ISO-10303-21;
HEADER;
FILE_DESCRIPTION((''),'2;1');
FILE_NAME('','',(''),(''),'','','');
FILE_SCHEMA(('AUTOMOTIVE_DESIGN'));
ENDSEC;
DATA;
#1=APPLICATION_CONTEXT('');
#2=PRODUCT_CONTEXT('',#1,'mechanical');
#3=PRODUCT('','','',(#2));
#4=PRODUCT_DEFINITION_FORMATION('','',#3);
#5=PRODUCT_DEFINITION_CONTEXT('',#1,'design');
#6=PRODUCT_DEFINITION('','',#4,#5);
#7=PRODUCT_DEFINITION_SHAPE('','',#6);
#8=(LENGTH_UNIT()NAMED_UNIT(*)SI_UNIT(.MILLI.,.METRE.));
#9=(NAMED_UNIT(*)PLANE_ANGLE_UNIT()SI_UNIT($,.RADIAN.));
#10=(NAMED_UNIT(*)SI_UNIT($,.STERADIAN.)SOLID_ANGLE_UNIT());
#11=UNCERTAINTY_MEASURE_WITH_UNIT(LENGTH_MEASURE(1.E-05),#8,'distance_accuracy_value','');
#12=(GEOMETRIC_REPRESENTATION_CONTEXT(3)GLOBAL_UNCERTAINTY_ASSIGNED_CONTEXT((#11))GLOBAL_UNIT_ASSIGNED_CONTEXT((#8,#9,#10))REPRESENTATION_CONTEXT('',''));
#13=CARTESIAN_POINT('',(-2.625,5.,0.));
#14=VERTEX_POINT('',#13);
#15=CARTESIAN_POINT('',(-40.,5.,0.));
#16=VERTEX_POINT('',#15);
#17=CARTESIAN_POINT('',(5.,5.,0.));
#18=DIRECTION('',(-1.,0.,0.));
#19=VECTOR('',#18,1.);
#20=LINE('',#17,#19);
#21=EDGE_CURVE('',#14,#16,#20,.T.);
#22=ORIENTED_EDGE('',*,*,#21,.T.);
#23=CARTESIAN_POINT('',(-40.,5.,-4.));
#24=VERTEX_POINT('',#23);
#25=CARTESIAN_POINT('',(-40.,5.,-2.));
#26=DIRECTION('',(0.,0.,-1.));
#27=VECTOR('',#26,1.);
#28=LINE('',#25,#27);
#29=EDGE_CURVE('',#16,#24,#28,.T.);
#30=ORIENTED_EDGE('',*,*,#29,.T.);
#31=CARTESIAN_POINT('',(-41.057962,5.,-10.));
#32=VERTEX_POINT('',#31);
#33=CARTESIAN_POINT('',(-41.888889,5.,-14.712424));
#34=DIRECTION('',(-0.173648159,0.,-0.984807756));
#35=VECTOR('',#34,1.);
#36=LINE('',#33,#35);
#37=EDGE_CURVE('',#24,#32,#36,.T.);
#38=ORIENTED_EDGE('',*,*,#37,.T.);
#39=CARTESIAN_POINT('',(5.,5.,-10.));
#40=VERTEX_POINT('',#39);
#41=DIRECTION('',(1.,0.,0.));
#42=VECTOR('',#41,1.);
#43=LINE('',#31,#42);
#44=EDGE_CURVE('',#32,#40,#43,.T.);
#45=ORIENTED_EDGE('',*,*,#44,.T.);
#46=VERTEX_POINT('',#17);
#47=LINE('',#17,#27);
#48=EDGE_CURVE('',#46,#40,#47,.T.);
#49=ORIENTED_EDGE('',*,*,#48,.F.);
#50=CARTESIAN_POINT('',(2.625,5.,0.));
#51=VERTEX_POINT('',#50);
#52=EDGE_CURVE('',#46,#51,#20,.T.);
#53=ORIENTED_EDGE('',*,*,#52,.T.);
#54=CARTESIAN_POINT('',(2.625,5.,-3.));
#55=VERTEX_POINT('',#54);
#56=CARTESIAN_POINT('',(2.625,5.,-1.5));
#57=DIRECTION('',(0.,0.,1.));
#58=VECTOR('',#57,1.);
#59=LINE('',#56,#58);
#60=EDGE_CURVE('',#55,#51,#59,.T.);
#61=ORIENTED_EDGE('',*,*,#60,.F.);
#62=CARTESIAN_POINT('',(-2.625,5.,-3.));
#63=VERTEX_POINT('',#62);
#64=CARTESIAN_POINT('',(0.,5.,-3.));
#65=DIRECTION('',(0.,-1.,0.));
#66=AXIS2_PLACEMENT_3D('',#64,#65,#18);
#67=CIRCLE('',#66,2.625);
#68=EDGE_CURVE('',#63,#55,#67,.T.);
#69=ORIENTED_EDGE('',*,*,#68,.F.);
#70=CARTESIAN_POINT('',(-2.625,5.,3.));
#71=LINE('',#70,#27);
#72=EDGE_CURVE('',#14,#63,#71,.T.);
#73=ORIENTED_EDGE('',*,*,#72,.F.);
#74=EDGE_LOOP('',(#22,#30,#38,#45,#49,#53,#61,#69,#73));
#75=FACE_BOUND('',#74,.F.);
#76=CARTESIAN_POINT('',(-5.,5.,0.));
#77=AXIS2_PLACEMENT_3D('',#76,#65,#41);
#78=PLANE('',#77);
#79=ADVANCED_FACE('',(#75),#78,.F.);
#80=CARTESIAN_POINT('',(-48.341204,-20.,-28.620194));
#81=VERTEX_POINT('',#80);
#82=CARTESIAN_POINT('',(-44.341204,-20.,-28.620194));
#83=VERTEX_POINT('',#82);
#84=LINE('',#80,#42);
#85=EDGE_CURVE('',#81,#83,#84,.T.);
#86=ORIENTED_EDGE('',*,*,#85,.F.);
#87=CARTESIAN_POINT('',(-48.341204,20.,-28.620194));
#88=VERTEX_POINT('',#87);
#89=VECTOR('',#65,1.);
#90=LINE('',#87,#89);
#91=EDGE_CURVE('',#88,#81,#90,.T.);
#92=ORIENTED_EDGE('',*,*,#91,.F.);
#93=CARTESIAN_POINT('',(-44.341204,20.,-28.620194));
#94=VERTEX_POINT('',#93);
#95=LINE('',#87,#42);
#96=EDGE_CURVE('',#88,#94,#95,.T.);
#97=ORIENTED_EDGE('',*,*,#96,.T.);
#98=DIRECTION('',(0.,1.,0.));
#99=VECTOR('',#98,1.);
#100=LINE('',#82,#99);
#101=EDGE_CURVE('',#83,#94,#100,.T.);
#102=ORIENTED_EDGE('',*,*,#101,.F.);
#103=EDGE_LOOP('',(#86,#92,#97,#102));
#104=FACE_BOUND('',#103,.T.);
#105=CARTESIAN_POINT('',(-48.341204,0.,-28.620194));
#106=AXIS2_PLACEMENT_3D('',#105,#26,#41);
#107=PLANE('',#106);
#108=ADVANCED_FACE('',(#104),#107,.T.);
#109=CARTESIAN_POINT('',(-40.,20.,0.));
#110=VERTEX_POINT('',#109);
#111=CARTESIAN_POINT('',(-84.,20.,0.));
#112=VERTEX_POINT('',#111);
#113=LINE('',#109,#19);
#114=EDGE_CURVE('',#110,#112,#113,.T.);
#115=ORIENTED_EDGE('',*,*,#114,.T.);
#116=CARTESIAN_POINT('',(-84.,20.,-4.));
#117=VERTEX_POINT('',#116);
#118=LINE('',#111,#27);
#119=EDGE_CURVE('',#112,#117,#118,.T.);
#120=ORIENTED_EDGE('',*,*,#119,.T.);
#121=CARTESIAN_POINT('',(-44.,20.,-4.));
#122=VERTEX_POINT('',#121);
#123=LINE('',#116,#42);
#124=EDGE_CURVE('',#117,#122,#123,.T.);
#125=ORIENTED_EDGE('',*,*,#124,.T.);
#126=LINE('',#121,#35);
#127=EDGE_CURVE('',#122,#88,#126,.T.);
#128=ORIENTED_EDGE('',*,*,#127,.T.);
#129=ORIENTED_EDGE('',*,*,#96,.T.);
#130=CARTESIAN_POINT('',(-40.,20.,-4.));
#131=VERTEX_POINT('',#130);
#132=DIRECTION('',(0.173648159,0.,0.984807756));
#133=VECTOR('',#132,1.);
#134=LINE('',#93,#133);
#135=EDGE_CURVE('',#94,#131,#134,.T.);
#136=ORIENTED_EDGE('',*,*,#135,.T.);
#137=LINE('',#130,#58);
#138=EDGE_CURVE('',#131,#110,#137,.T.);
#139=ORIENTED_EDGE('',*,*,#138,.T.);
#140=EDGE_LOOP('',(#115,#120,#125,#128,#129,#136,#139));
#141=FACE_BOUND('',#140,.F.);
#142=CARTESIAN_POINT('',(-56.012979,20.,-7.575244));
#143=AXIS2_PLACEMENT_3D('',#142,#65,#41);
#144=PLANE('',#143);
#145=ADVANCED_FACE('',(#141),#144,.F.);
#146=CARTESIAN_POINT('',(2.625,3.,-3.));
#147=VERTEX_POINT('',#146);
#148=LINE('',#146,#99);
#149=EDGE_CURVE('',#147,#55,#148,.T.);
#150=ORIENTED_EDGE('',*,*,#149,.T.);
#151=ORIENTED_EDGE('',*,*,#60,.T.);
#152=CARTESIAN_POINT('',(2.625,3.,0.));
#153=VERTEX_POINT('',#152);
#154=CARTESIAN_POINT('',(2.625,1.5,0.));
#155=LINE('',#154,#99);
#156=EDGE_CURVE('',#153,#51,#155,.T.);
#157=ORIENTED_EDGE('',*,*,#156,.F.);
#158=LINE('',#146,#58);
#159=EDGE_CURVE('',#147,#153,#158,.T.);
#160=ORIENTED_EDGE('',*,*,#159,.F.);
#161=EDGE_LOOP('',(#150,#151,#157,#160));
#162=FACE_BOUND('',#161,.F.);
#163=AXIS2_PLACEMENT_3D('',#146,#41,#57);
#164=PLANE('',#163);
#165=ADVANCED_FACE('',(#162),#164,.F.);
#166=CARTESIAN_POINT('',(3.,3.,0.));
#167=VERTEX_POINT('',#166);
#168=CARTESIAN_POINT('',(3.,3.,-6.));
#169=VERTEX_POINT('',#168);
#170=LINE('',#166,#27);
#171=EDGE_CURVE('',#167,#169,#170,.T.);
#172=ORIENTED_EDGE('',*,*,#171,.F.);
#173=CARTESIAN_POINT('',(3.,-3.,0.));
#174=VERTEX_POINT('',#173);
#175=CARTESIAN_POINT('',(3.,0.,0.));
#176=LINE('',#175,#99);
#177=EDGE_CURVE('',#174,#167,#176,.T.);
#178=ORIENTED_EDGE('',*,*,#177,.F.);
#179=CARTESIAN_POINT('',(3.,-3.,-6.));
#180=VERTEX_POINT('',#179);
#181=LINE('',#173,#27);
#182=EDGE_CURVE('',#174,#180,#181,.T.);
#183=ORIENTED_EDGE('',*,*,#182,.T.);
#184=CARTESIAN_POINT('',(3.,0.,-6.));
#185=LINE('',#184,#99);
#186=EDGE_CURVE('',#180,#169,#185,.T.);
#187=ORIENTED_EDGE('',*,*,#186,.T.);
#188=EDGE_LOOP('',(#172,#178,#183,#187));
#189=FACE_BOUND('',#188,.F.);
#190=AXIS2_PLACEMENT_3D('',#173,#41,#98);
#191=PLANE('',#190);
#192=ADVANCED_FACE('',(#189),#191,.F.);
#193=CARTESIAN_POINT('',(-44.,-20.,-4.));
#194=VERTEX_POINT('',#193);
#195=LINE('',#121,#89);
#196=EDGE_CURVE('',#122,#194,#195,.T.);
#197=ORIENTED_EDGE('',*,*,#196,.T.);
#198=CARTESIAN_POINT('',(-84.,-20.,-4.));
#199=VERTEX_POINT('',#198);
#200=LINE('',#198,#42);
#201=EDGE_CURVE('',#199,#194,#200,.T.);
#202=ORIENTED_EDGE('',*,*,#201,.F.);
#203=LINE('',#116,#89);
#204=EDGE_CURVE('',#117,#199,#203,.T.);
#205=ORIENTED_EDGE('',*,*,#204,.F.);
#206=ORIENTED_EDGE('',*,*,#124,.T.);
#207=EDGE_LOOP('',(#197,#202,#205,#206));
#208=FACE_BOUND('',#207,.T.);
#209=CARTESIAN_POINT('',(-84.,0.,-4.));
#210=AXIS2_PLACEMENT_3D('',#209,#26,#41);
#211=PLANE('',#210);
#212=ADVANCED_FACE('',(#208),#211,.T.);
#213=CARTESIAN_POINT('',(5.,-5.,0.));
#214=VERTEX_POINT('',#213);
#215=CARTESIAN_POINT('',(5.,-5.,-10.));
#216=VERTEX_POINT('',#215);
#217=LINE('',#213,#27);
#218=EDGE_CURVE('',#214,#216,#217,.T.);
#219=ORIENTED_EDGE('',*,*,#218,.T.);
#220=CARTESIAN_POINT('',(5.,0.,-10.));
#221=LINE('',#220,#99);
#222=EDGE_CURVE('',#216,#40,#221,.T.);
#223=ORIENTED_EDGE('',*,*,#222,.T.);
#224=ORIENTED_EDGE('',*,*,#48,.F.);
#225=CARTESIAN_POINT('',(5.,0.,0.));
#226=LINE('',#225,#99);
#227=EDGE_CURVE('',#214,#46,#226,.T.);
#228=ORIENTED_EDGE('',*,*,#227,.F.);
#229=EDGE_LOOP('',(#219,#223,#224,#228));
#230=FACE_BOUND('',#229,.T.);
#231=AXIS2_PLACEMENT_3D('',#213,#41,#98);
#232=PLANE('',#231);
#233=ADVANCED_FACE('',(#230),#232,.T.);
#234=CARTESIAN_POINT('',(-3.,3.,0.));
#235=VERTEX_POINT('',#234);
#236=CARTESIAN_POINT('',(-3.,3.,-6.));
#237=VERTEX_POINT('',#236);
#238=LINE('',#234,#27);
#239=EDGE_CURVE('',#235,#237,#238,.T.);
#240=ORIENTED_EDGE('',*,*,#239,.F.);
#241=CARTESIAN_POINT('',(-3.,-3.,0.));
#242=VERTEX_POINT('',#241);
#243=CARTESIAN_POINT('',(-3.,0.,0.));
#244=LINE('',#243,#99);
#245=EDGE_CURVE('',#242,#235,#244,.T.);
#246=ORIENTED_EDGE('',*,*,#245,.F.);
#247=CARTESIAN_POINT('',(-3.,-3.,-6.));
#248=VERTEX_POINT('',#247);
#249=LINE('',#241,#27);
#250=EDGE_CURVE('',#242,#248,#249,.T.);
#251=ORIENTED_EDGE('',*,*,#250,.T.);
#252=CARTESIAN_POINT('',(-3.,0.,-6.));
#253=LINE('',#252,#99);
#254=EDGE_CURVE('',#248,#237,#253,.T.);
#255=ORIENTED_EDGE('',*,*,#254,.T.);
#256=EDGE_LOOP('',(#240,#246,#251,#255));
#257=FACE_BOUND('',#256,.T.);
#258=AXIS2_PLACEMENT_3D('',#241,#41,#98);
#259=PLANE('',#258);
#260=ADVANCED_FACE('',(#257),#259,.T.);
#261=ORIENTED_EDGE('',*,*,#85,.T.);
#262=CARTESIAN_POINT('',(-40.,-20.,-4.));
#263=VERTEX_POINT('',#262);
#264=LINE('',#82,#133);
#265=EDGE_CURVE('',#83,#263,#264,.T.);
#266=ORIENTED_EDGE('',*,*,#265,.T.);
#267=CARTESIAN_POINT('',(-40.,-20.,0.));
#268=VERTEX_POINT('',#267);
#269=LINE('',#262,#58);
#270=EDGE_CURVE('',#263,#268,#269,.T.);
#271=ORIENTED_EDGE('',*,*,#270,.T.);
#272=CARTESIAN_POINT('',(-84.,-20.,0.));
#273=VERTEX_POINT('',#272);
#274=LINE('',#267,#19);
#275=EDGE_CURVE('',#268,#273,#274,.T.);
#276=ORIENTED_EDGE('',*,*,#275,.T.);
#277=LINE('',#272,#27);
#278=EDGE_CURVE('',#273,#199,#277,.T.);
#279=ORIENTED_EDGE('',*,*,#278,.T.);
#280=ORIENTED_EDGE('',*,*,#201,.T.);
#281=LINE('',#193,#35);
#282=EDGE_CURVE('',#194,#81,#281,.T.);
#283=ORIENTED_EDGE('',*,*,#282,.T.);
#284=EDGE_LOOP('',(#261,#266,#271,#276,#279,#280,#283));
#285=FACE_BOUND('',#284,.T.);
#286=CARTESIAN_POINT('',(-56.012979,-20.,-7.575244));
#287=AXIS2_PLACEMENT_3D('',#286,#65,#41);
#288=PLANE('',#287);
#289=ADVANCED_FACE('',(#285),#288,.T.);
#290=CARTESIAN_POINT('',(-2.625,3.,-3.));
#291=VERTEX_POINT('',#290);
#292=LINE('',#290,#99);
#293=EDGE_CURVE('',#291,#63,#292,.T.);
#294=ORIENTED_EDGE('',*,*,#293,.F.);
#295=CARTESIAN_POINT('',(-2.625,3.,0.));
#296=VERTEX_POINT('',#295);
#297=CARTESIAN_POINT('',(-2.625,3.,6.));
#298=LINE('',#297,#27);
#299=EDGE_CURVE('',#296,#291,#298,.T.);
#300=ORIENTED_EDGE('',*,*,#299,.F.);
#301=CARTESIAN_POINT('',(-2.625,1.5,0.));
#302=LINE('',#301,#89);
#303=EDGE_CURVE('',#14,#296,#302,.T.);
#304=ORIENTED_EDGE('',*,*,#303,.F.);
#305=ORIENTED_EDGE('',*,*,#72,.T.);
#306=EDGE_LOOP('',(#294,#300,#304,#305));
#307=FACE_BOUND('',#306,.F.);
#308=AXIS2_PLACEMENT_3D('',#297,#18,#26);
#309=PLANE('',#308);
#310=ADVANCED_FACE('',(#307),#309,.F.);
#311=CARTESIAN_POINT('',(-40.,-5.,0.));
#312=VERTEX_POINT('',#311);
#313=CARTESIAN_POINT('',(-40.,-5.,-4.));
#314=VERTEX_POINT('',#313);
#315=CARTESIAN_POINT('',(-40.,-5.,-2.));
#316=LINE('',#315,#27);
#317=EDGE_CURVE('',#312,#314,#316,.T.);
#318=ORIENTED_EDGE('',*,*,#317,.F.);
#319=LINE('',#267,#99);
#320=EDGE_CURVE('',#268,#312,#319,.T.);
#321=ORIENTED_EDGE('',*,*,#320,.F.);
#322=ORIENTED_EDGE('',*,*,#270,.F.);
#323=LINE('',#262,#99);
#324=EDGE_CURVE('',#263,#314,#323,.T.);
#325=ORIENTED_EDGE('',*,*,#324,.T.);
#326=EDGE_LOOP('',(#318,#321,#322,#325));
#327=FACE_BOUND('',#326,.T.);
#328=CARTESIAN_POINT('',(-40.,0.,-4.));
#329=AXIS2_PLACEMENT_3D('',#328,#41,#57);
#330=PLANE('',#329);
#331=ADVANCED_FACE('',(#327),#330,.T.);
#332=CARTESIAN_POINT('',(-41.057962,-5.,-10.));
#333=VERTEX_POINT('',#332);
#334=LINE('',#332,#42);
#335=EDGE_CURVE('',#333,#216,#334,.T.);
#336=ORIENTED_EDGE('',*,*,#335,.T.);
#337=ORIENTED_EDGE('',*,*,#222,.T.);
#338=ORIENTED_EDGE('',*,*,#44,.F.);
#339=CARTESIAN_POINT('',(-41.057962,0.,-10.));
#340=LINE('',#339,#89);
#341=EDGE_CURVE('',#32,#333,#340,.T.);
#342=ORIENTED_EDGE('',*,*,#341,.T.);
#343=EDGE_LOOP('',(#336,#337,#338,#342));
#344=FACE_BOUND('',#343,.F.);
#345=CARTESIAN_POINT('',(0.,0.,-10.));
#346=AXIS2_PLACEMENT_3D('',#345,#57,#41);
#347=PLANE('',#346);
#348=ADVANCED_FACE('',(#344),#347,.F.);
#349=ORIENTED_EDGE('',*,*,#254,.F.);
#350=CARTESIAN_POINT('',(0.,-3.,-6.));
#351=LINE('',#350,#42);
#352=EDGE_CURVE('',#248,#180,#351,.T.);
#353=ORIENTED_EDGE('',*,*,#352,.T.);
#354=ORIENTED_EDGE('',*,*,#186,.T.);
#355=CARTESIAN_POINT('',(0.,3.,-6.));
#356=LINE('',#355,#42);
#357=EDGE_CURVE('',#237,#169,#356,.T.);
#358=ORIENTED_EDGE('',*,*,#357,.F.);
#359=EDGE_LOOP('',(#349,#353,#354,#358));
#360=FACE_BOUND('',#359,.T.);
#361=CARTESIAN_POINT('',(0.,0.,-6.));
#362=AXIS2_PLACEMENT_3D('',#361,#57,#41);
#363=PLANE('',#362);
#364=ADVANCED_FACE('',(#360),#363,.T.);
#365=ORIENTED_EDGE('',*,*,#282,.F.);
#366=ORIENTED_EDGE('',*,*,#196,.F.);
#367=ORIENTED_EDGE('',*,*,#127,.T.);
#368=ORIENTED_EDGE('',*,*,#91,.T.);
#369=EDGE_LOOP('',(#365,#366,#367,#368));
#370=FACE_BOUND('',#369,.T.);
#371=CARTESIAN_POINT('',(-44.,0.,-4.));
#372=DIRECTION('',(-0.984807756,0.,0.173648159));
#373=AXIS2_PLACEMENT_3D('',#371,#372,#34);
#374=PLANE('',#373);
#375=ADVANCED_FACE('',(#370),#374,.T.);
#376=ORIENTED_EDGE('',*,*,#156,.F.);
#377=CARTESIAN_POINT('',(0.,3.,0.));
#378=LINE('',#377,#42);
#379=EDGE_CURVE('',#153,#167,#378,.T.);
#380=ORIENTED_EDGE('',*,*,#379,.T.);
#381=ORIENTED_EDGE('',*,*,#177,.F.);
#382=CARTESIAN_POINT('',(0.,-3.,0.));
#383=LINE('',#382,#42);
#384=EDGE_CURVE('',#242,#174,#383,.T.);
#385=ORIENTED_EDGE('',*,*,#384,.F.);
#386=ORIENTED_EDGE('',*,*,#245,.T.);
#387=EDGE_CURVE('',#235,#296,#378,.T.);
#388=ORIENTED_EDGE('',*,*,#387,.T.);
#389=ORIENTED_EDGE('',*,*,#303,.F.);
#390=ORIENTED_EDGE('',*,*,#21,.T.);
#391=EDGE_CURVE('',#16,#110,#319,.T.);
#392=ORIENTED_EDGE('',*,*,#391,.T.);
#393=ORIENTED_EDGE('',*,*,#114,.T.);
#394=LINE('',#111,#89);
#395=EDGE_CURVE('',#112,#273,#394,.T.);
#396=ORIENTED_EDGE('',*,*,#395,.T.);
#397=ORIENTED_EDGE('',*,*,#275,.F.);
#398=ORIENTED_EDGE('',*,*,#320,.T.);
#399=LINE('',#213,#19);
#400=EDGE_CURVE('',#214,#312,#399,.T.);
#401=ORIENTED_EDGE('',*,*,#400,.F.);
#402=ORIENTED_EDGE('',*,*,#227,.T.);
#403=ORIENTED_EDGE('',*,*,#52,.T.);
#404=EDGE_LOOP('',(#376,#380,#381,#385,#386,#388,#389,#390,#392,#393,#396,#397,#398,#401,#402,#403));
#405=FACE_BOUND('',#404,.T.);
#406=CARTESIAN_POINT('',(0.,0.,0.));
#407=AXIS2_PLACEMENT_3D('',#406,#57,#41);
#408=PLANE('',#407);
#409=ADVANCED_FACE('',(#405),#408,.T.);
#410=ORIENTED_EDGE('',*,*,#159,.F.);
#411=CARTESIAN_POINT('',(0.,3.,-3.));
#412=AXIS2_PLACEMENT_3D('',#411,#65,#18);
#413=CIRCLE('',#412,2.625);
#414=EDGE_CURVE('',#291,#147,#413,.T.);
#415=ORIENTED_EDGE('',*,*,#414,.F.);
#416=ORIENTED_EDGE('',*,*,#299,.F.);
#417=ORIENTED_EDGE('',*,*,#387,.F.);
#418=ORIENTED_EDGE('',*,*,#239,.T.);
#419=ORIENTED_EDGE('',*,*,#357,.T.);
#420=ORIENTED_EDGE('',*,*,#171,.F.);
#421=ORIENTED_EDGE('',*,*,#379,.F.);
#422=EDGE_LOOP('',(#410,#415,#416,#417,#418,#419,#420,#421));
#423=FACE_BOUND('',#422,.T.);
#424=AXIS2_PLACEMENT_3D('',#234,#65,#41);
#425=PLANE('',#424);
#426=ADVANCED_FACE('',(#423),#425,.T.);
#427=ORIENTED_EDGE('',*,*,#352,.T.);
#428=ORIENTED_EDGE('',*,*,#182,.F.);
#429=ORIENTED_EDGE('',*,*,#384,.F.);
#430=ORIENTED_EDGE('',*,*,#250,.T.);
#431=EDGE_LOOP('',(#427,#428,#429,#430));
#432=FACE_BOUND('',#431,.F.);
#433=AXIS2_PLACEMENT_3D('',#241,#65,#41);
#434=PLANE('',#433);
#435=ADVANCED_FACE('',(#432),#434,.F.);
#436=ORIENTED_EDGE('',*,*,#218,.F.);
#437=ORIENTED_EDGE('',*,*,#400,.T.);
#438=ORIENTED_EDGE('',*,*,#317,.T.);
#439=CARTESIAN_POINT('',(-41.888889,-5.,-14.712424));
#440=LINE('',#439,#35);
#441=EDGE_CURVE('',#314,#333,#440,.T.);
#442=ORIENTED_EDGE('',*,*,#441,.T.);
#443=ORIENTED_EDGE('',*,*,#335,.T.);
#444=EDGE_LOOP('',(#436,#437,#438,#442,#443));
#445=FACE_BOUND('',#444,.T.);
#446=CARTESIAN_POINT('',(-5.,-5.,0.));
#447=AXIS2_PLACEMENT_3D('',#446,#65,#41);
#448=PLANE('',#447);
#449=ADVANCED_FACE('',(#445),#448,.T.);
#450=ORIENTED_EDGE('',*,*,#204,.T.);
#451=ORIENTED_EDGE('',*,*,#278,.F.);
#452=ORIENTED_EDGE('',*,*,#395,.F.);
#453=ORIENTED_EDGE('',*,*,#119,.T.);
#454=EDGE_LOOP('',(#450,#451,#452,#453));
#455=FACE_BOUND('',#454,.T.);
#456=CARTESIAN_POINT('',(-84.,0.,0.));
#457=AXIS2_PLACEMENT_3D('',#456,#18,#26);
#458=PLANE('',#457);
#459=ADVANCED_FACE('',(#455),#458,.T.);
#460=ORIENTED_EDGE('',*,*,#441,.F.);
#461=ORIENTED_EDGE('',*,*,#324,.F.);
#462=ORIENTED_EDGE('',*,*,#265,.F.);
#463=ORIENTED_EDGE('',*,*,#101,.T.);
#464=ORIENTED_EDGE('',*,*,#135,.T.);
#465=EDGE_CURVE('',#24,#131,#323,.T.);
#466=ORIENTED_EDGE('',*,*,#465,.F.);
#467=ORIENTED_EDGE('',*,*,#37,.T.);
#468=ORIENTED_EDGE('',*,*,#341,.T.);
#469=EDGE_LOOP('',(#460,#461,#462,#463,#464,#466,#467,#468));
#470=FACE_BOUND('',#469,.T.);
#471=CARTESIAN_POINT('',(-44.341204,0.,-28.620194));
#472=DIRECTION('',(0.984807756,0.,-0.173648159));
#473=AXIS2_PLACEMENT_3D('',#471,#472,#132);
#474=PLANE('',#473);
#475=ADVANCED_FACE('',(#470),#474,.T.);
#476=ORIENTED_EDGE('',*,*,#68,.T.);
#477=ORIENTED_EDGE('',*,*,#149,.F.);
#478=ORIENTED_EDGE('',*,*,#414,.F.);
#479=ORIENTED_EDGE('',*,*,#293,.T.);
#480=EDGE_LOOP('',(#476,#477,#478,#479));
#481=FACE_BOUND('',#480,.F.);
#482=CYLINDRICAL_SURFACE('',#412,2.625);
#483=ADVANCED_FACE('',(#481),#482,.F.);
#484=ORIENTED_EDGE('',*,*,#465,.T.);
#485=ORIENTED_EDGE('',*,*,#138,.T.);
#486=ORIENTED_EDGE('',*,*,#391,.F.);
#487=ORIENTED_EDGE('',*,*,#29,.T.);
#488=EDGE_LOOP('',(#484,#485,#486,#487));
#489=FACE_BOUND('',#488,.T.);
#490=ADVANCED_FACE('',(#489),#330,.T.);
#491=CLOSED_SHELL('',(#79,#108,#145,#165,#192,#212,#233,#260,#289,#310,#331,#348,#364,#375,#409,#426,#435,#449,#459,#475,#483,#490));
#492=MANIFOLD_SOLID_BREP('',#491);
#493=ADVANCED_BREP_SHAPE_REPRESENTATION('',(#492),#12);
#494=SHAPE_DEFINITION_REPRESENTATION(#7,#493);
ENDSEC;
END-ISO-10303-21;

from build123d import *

# Parameters (mm, degrees)
PAD001_DEPTH    = 20
SKETCH004_W     = 39
SKETCH004_H     = 10
PAD_DEPTH       = 10
SKETCH_W        = 10
SKETCH_H        = 10
PAD002_DEPTH    = 10
SKETCH001_W     = 6
SKETCH001_H     = 6
POCKET_DEPTH    = 6
POCKET001_DEPTH = 17.001


with BuildPart() as part:
    # Sketch003 → Pad001 (new body, symmetric)
    with BuildSketch(Plane(origin=(-40, 0, 0), x_dir=(1, 0, 0), z_dir=(0, -1, 0))):
        Polygon((0, 0), (-44, 0), (-44, -4), (-4, -4), (-8.341204, -28.620194), (-4.341204, -28.620194), (0, -4), align=None)
    extrude(amount=PAD001_DEPTH, both=True)

    # Sketch004 → Pad (join)
    with BuildSketch(Plane.XY):
        with Locations((-24.5, 0)):
            Rectangle(SKETCH004_W, SKETCH004_H)
    extrude(amount=-PAD_DEPTH)

    # Sketch → Pad002 (join)
    with BuildSketch(Plane.XY):
        Rectangle(SKETCH_W, SKETCH_H)
    extrude(amount=-PAD002_DEPTH)

    # Sketch001 → Pocket (cut)
    with BuildSketch(Plane.XY):
        Rectangle(SKETCH001_W, SKETCH001_H)
    extrude(amount=-POCKET_DEPTH, mode=Mode.SUBTRACT)

    # Sketch002 → Pocket001 (cut, through all)
    with BuildSketch(Plane.XZ.offset(-3)):
        with BuildLine():
            ThreePointArc((-2.625, -3), (0, -5.625), (2.625, -3))
            Line((2.625, -3), (2.625, 6))
            ThreePointArc((2.625, 6), (0, 8.625), (-2.625, 6))
            Line((-2.625, 6), (-2.625, -3))
        make_face()
    extrude(amount=-POCKET001_DEPTH, mode=Mode.SUBTRACT)


solid = part.part
